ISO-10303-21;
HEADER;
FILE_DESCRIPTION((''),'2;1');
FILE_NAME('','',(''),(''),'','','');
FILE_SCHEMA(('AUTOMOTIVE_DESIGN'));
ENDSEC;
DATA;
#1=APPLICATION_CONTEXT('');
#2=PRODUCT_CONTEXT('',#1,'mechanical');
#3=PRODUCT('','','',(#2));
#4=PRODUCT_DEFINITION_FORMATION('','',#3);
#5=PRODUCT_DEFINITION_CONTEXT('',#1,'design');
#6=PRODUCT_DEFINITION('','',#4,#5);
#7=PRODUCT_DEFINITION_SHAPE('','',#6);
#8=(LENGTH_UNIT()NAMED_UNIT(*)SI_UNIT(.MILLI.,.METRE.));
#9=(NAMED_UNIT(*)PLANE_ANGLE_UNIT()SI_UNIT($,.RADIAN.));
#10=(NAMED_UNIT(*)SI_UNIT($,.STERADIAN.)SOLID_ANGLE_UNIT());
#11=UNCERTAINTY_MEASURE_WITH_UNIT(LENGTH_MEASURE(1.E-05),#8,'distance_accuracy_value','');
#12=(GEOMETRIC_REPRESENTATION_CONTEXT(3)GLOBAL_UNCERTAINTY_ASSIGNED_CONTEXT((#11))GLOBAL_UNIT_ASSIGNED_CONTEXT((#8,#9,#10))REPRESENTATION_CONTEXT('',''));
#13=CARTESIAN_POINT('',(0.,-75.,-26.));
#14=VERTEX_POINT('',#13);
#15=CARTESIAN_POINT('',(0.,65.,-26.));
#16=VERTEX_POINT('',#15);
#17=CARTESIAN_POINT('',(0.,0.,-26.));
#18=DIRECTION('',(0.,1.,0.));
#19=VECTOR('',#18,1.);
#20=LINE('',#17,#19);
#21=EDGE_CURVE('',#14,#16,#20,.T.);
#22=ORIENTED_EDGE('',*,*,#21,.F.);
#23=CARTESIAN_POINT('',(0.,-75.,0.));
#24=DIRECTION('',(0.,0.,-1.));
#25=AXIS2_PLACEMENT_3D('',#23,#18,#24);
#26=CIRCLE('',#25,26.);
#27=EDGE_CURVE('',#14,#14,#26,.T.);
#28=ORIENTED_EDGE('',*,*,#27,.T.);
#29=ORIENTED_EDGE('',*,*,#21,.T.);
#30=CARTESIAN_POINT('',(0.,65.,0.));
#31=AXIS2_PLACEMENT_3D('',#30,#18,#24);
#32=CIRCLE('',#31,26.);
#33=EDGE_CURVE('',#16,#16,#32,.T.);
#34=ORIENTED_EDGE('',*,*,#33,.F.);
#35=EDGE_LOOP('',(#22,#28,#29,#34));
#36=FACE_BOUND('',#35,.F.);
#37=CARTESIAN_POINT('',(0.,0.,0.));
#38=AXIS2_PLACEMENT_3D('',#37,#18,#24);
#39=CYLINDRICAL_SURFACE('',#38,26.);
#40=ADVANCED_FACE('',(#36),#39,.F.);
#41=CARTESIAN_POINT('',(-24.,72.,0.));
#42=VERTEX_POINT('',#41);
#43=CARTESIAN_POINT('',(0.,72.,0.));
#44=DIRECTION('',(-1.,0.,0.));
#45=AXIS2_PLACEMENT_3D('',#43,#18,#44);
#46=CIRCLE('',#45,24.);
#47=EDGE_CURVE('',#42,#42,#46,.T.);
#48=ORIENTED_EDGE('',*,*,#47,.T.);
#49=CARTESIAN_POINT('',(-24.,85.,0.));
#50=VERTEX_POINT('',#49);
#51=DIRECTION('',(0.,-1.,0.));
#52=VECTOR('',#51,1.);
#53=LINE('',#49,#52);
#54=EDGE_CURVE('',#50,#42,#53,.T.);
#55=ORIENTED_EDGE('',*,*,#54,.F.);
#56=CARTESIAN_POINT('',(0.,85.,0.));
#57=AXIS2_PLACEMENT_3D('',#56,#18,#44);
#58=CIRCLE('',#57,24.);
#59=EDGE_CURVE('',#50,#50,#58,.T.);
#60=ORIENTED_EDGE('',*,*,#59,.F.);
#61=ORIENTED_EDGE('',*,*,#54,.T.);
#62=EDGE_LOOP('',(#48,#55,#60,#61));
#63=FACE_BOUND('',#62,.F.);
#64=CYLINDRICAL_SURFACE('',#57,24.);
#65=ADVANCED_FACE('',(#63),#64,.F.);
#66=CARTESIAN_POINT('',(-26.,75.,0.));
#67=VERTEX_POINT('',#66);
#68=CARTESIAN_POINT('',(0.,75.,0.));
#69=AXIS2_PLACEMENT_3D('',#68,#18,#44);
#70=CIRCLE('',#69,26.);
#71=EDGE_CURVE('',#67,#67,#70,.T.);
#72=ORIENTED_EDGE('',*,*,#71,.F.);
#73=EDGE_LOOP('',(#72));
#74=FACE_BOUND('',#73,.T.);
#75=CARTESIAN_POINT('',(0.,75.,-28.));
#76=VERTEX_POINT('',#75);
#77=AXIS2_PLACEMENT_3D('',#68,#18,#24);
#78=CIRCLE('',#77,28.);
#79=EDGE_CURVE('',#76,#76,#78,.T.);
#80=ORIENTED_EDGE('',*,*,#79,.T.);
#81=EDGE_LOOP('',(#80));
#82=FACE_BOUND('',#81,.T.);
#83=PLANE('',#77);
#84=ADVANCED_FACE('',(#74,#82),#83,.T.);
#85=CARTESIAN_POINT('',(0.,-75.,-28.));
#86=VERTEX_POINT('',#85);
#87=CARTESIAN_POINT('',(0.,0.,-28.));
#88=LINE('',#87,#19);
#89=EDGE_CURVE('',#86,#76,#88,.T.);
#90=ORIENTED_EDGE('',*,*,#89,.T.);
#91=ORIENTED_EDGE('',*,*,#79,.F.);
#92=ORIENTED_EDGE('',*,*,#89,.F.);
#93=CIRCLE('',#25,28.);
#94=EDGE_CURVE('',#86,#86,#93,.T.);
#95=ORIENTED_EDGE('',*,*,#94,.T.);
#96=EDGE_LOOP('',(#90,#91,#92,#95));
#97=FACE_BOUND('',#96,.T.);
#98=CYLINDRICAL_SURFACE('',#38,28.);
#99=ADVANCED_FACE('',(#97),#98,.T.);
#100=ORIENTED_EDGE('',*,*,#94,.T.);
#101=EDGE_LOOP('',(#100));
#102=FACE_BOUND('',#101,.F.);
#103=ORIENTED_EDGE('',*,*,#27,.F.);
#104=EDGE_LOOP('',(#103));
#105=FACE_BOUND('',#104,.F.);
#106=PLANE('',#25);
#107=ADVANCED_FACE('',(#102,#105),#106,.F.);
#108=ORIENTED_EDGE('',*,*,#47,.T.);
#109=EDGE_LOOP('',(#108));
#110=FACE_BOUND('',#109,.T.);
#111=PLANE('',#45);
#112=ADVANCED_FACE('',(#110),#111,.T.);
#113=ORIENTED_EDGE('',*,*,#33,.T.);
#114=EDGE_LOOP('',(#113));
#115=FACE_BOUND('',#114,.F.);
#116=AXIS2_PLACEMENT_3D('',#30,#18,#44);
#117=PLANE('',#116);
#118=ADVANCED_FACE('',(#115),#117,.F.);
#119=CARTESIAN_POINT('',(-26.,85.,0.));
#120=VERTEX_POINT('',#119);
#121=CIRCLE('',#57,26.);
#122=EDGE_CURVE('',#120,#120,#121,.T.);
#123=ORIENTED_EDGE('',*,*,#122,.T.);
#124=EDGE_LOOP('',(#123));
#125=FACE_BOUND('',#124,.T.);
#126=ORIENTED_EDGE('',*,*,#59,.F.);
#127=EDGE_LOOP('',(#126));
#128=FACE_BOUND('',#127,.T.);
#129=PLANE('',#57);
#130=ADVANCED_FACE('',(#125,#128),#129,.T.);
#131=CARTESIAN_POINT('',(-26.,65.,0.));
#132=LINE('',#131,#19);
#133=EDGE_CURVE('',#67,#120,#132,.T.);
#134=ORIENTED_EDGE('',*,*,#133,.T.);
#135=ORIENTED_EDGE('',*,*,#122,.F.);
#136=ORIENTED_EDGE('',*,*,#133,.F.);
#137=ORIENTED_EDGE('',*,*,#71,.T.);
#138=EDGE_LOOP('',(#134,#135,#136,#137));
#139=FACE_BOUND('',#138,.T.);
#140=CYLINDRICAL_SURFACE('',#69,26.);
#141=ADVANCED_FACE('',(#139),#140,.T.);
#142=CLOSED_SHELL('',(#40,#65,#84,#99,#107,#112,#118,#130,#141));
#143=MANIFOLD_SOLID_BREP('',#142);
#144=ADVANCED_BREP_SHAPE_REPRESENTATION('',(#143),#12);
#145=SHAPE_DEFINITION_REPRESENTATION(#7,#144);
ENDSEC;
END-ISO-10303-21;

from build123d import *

# Parameters (mm, degrees)
F0_W     = 150
F0_H     = 2
F2_R     = 26
F3_DEPTH = 10
F4_R     = 24
F5_DEPTH = 13


with BuildPart() as f1:
    # F0 (on Right) → F1 (revolve)
    with BuildSketch(Plane.YZ):
        with Locations((0, -27)):
            Rectangle(F0_W, F0_H)
    revolve(axis=Axis((0, 25.8125, 0), (0, 1, 0)))

    # F2 (on face) → F3 (join, symmetric)
    with BuildSketch(Plane(origin=(0, 75, 0), x_dir=(-1, 0, 0), z_dir=(0, 1, 0))):
        Circle(F2_R)
    extrude(amount=F3_DEPTH, both=True)

    # F4 (on face) → F5 (cut)
    with BuildSketch(Plane(origin=(0, 85, 0), x_dir=(-1, 0, 0), z_dir=(0, 1, 0))):
        Circle(F4_R)
    extrude(amount=-F5_DEPTH, mode=Mode.SUBTRACT)


solid = f1.part
